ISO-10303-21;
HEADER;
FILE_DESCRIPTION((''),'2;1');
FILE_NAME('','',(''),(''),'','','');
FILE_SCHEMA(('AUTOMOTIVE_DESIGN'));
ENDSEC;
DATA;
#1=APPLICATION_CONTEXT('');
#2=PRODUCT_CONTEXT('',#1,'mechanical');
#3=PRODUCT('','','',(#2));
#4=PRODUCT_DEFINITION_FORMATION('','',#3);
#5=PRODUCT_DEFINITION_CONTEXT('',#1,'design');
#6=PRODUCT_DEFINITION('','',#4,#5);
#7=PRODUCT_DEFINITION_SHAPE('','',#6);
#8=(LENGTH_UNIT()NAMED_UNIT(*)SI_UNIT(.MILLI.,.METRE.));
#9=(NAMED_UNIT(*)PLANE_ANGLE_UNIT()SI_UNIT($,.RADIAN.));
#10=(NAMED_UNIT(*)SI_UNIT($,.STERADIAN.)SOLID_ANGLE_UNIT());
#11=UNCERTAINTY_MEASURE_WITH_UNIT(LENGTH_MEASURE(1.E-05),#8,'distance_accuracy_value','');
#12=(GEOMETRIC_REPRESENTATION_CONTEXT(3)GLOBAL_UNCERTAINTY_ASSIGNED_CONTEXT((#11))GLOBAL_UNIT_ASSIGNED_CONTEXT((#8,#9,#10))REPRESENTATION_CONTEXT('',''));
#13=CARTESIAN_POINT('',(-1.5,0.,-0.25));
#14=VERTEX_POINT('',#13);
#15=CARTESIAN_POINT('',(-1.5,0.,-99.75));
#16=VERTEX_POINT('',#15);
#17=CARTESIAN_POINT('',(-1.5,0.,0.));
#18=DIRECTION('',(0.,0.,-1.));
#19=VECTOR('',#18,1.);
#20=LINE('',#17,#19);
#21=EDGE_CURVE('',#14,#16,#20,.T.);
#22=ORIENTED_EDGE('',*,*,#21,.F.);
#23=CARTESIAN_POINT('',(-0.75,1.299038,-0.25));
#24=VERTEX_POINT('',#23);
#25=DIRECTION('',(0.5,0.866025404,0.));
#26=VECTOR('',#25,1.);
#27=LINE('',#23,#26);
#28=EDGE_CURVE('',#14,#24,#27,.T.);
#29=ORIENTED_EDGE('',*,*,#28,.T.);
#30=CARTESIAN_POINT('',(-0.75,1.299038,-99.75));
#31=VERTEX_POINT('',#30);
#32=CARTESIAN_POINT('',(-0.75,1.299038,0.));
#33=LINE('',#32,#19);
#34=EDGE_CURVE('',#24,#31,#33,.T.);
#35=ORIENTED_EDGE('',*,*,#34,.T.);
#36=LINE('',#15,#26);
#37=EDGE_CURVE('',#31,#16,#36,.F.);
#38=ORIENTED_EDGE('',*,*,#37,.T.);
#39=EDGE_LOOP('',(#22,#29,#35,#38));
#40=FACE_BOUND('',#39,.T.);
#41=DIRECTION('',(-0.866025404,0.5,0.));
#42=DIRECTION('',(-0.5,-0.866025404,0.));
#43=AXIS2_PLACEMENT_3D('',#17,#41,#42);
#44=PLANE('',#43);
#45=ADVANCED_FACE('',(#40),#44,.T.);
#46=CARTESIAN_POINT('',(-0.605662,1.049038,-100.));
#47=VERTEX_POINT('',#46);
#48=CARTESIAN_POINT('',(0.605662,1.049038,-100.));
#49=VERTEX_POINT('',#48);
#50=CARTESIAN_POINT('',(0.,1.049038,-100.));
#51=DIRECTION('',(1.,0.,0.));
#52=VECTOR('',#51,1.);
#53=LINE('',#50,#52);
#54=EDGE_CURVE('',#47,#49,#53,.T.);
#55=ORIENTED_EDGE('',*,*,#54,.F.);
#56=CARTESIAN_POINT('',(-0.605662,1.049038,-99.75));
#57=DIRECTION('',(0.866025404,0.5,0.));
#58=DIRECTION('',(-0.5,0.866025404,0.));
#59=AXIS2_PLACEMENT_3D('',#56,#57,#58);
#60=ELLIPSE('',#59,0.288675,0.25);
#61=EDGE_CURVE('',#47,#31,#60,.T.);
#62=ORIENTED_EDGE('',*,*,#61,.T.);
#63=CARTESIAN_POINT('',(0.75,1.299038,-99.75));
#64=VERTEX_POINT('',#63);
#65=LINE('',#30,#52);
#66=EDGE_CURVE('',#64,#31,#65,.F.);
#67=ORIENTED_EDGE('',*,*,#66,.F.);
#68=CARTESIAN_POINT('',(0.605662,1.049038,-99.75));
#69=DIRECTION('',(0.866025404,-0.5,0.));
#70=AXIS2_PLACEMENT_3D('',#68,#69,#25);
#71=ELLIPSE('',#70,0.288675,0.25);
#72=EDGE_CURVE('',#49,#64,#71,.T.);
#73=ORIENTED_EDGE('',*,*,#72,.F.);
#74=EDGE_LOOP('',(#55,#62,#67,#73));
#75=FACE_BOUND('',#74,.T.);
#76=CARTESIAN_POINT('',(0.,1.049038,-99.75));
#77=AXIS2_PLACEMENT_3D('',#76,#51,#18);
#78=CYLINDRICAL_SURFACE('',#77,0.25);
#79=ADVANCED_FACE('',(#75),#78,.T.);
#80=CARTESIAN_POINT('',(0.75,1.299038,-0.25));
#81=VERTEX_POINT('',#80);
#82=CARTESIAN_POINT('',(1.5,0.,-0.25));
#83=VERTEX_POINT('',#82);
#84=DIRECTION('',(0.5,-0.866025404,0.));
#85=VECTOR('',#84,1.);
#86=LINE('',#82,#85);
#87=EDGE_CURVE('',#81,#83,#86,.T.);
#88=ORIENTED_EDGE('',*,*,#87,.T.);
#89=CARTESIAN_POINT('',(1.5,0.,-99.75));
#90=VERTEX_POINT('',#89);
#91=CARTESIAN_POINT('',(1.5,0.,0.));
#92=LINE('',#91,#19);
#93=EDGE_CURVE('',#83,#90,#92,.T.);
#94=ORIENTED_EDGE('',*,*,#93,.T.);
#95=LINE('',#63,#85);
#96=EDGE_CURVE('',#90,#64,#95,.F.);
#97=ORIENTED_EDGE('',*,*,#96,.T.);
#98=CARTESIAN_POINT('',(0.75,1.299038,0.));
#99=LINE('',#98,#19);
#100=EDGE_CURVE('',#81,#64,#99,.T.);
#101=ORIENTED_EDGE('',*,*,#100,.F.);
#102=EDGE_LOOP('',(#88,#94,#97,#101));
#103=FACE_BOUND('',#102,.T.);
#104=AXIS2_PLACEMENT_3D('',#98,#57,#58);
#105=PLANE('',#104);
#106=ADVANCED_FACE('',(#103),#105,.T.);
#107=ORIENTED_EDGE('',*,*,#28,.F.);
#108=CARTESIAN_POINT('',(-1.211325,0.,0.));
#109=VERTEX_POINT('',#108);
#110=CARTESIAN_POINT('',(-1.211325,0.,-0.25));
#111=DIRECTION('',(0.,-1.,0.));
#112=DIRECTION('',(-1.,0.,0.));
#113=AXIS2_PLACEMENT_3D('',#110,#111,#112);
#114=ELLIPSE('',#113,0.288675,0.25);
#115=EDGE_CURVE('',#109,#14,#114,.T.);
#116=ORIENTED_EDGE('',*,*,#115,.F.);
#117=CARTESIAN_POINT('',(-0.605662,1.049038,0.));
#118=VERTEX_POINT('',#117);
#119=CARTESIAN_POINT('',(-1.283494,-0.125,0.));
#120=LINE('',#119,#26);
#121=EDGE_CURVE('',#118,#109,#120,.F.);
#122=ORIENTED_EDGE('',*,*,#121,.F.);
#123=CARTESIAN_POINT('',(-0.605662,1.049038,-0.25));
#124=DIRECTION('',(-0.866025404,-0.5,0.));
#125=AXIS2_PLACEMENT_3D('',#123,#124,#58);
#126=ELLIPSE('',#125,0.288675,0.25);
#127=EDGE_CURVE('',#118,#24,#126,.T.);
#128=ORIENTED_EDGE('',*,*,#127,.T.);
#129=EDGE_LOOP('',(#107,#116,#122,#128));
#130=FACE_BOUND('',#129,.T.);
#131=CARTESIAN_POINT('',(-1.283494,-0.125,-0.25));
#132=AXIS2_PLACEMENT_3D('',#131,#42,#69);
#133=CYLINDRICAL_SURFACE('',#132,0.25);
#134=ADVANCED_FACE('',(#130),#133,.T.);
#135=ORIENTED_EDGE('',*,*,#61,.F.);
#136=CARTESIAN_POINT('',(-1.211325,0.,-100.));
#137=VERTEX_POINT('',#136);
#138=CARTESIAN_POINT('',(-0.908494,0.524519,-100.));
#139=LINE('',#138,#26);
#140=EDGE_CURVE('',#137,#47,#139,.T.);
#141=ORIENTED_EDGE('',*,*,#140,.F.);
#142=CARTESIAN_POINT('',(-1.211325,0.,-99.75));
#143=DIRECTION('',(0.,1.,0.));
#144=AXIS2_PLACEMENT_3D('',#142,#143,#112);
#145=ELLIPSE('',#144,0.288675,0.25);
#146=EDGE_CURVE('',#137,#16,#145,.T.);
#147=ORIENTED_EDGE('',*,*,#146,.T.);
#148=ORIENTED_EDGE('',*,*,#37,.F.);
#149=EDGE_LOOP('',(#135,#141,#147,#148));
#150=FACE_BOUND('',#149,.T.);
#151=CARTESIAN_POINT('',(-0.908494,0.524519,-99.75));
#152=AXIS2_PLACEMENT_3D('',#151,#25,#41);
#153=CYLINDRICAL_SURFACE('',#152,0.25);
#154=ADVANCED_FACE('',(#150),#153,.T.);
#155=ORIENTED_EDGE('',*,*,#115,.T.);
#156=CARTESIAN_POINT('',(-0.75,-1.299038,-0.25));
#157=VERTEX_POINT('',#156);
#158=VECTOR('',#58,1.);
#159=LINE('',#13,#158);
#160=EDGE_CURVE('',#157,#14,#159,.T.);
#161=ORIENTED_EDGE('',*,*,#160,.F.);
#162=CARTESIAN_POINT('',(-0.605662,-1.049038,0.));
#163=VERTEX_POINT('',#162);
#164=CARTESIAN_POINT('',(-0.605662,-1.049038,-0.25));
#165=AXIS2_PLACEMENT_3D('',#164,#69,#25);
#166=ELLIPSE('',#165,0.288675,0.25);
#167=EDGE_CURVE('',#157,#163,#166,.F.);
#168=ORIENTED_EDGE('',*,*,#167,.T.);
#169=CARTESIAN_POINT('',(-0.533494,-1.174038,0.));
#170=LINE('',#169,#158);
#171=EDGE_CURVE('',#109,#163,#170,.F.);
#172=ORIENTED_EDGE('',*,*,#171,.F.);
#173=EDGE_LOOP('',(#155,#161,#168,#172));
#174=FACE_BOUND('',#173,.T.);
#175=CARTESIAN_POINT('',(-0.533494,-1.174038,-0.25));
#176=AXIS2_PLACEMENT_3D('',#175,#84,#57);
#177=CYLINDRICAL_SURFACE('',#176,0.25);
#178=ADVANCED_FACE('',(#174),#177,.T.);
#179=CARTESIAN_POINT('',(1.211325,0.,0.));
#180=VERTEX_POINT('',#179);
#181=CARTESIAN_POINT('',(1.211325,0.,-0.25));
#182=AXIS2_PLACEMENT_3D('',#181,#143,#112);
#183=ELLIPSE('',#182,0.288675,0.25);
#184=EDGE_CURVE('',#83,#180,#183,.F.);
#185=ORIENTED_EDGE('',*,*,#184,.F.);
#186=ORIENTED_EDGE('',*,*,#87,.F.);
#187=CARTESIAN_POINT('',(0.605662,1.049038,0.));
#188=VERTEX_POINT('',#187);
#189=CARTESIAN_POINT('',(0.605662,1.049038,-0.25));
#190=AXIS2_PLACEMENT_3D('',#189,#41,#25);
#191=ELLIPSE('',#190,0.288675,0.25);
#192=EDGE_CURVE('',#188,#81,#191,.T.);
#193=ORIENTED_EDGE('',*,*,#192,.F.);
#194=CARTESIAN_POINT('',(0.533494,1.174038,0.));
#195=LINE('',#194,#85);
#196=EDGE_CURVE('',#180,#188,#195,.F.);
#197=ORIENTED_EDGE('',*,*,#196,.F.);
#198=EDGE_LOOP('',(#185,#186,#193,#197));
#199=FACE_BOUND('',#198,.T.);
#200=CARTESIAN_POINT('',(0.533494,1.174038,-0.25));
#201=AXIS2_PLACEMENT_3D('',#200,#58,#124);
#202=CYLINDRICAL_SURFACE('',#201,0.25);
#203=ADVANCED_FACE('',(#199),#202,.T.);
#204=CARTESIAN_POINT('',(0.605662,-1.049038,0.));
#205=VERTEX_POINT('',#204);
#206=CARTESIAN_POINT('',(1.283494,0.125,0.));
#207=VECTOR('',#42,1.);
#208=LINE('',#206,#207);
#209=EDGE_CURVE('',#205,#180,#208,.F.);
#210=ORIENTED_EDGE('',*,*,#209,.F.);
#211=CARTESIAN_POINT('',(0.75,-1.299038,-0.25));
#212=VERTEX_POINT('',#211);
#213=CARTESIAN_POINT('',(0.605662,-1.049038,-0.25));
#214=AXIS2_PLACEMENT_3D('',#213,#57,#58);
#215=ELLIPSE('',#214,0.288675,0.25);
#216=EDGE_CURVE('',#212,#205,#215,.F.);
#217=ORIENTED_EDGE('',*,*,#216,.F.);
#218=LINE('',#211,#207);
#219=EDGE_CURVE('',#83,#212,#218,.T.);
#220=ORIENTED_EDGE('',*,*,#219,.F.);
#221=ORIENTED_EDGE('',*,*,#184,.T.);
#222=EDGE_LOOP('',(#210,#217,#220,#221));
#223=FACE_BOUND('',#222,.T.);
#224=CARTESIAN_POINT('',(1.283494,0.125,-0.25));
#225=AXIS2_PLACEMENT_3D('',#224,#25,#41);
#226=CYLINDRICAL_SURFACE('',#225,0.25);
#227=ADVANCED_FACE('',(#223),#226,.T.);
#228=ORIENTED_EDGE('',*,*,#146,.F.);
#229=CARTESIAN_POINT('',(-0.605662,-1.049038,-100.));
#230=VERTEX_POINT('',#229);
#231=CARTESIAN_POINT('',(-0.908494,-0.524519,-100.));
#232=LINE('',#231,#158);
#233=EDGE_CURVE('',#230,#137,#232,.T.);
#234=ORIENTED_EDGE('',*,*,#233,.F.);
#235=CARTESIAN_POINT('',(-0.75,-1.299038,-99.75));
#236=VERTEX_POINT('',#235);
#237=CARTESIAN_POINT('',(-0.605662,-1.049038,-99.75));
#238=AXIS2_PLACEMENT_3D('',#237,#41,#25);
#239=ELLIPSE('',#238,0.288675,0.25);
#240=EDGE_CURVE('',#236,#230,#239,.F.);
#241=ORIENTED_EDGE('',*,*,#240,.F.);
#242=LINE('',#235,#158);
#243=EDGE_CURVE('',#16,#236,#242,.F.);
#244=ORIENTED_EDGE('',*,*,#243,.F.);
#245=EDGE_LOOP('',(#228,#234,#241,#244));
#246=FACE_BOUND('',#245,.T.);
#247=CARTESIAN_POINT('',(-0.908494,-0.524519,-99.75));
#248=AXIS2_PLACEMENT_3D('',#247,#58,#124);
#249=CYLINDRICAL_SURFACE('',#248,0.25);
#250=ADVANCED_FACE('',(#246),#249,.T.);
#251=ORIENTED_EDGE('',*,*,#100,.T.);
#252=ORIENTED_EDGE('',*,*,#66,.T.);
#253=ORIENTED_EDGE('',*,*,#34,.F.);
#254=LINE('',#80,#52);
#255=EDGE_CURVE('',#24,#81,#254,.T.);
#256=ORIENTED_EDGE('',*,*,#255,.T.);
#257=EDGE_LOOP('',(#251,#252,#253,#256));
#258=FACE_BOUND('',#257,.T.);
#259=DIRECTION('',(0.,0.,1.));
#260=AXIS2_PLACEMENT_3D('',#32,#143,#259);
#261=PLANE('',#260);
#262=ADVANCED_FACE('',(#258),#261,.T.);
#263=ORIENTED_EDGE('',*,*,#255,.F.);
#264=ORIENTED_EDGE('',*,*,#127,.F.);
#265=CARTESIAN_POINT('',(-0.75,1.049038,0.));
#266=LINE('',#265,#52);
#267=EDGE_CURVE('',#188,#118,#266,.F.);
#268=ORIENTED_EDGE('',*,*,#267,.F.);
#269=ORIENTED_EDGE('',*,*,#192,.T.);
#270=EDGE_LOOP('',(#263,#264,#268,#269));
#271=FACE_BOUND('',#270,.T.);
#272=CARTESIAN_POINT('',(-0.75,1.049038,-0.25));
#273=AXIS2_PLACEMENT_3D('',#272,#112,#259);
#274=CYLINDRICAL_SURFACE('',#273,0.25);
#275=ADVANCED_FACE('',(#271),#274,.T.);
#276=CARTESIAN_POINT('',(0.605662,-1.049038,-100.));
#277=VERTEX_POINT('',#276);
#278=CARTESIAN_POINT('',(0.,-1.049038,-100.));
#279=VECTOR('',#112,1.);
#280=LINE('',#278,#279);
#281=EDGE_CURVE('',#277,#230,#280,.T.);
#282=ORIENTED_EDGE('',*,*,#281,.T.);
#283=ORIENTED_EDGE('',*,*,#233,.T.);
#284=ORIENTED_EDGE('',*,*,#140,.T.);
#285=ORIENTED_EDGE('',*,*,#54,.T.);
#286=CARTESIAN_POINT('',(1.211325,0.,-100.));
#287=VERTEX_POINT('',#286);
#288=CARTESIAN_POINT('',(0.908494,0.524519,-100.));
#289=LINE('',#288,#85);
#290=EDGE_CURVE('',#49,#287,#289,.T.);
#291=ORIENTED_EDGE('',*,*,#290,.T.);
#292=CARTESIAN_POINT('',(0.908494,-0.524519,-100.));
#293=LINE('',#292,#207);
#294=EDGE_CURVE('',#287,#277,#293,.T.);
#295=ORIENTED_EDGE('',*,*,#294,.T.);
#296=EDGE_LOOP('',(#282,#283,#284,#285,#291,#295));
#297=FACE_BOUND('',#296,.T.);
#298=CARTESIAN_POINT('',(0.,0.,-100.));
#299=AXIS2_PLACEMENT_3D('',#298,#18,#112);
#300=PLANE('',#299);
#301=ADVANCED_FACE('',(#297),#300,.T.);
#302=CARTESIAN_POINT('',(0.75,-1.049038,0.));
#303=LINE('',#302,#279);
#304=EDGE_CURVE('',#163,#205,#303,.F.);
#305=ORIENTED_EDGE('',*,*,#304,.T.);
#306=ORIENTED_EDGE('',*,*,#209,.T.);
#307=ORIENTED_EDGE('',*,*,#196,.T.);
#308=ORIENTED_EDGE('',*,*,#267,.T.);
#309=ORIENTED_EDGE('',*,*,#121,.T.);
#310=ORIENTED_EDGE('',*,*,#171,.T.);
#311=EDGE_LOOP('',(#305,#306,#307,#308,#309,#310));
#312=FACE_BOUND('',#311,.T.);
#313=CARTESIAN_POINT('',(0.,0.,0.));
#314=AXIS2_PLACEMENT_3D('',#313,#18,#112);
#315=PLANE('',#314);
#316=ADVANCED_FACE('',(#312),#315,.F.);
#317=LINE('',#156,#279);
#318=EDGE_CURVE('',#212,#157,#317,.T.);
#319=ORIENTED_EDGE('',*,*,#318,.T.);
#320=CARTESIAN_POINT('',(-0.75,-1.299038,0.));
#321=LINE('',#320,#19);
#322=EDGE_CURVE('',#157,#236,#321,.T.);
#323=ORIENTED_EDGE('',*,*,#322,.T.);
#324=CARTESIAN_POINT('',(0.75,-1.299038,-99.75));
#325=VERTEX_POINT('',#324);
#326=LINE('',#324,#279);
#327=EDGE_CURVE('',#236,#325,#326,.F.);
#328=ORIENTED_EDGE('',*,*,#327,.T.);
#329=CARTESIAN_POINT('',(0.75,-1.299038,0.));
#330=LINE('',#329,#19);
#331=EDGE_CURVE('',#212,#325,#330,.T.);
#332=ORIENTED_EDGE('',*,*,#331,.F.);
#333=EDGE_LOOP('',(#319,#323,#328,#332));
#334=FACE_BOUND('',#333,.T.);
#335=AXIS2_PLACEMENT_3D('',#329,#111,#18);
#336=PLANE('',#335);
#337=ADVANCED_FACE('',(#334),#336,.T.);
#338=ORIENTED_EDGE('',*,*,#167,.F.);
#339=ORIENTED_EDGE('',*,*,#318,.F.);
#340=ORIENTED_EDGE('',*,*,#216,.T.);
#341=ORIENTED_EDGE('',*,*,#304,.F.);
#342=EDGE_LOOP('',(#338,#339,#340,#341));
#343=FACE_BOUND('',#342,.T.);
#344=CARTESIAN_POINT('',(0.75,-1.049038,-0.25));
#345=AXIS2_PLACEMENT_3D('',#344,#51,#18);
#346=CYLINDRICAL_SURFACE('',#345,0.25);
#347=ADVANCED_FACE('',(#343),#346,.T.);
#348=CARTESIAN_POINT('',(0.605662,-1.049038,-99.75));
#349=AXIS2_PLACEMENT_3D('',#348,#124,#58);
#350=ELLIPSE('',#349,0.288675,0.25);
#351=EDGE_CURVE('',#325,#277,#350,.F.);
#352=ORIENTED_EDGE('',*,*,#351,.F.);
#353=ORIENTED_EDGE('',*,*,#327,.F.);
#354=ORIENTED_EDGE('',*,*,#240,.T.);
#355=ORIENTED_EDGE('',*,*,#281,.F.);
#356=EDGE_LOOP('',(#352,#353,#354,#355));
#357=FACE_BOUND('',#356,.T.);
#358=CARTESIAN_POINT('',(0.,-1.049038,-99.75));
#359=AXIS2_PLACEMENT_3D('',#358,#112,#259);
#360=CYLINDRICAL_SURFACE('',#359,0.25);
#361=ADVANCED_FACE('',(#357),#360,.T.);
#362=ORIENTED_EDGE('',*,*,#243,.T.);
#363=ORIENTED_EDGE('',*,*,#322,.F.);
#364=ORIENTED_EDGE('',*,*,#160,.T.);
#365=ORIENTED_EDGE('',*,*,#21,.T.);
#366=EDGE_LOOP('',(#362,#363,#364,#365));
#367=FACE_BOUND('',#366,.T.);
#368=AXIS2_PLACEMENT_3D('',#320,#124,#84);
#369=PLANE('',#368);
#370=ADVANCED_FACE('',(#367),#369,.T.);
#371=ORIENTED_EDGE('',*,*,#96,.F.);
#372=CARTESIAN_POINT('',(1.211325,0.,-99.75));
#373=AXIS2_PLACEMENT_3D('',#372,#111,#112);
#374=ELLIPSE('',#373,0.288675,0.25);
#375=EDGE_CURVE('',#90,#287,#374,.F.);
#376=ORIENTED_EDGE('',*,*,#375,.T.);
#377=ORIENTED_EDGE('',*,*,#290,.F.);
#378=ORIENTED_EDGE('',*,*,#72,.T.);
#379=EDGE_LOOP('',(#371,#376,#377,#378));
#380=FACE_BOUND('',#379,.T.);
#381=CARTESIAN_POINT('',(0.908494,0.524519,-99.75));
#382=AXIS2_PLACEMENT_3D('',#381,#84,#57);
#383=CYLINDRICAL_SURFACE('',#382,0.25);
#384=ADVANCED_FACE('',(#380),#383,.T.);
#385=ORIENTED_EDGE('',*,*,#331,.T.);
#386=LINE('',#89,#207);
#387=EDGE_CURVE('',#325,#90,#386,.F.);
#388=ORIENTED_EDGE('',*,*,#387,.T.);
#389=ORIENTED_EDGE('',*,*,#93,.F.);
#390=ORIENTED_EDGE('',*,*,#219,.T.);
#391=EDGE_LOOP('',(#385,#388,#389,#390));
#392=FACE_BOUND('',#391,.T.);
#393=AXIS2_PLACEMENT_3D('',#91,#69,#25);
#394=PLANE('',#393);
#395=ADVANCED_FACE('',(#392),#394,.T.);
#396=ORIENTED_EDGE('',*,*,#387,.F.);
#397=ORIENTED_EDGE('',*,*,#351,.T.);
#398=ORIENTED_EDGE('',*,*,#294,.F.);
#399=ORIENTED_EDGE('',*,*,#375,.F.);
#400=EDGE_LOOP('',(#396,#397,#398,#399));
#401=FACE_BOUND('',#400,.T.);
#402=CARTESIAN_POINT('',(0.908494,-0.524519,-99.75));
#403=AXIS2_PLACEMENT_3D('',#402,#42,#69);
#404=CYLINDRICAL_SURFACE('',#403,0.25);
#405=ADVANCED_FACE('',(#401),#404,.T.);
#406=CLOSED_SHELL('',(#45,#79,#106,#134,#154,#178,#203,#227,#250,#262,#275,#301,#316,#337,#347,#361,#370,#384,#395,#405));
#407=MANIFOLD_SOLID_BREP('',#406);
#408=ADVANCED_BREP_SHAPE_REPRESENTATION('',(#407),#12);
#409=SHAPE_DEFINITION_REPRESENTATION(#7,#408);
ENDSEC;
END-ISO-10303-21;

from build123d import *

# Parameters (mm, degrees)
RESSALTO_EXTRUS_O1_DEPTH = 50
FILETE1_R                = 0.25


with BuildPart() as part:
    # Esboço1 → Ressalto-extrusão1 (new, symmetric)
    with BuildSketch(Plane(origin=(0, 0, -50), x_dir=(-1, 0, 0), z_dir=(0, 0, -1))):
        Polygon((0.75, -1.299038106), (1.5, 0), (0.75, 1.299038106), (-0.75, 1.299038106), (-1.5, 0), (-0.75, -1.299038106), align=None)
    extrude(amount=RESSALTO_EXTRUS_O1_DEPTH, both=True)

    # Filete1
    filete1_edges = [part.edges().sort_by_distance(p)[0] for p in [
        (-1.125, 0.649519053, 0),
        (0, 1.299038106, 0),
        (1.125, 0.649519053, 0),
        (1.125, -0.649519053, 0),
        (0, -1.299038106, 0),
        (1.125, -0.649519053, -100),
        (1.125, 0.649519053, -100),
        (0, 1.299038106, -100),
        (-1.125, -0.649519053, 0),
        (-1.125, 0.649519053, -100),
        (-1.125, -0.649519053, -100),
        (0, -1.299038106, -100),
    ]]
    fillet(filete1_edges, radius=FILETE1_R)


solid = part.part
